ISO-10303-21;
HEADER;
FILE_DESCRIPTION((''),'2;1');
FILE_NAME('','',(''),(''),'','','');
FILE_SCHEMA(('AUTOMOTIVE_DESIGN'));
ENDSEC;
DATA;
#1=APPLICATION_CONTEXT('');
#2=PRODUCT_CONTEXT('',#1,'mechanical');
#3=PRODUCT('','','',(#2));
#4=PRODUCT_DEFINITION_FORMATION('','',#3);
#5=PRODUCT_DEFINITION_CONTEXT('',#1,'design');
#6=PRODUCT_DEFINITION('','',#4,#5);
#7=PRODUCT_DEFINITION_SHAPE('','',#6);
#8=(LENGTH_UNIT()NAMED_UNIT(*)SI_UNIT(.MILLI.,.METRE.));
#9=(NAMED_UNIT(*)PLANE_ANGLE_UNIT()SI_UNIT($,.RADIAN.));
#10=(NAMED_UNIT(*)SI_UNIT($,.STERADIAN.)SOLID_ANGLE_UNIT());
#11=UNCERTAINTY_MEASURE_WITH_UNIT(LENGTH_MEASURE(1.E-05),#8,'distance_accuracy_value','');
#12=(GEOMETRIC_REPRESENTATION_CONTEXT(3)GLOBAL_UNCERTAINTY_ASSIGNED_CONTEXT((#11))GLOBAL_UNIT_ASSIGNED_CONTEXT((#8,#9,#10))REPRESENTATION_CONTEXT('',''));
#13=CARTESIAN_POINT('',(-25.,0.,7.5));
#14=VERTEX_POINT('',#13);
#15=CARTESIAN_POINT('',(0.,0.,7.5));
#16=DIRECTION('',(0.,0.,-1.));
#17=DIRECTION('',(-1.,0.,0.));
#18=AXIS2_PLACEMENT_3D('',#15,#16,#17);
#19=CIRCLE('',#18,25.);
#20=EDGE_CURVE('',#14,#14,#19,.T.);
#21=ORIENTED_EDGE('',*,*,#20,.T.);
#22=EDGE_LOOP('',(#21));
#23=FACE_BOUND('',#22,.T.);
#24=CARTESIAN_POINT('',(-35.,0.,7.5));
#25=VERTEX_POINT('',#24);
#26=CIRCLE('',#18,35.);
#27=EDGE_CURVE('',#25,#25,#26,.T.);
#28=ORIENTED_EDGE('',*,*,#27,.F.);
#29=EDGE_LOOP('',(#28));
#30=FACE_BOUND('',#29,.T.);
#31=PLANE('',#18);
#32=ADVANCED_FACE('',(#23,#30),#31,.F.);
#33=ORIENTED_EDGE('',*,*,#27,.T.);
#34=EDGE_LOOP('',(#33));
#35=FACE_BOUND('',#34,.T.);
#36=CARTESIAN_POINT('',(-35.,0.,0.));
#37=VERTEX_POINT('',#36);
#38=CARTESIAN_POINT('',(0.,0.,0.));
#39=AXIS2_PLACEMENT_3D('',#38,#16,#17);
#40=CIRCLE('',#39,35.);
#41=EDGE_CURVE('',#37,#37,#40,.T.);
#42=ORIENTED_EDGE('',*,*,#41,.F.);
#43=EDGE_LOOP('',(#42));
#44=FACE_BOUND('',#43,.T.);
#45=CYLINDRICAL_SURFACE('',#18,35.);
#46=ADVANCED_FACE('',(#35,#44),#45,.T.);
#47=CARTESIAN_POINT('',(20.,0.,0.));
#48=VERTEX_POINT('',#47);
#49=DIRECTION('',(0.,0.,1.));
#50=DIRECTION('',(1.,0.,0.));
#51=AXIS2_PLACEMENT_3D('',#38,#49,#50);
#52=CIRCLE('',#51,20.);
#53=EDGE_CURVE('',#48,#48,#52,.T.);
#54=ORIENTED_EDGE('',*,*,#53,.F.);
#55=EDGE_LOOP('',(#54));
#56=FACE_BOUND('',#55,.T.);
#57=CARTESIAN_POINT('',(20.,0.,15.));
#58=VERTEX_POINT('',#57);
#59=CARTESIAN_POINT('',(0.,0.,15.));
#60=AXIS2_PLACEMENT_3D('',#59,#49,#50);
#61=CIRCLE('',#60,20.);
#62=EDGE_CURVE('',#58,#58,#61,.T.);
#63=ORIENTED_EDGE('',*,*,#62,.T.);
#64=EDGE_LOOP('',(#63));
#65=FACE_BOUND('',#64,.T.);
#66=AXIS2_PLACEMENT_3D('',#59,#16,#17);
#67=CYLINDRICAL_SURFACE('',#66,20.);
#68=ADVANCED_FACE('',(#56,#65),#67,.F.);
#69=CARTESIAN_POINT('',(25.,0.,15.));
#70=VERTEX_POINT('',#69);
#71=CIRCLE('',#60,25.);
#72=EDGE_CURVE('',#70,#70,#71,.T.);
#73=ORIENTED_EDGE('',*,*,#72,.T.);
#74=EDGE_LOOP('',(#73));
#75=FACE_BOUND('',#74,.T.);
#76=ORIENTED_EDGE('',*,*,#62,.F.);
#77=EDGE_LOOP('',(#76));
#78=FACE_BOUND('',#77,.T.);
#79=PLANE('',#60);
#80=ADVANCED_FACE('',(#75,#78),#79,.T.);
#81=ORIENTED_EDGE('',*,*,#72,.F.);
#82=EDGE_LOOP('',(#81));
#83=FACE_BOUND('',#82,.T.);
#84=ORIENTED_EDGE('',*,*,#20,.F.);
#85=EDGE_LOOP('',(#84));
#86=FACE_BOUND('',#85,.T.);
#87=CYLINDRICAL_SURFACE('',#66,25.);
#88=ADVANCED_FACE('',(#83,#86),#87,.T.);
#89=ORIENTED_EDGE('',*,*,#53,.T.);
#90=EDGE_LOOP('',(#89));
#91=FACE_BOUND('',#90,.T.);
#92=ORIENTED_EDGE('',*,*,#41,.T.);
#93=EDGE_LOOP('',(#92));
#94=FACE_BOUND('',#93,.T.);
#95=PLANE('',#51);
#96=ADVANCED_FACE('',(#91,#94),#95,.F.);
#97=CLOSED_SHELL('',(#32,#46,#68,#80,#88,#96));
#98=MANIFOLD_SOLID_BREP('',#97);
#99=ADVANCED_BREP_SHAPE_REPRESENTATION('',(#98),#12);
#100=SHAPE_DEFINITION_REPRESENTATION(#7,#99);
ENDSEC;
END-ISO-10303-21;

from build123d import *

# Parameters (mm, degrees)
SKETCH1_R           = 25
SKETCH1_R_2         = 20
BOSS_EXTRUDE1_DEPTH = 15
SKETCH2_R           = 35
SKETCH2_R_2         = 25
BOSS_EXTRUDE2_DEPTH = 7.5


with BuildPart() as part:
    # Sketch1 → Boss-Extrude1 (new body)
    with BuildSketch(Plane.XY):
        Circle(SKETCH1_R)
        Circle(SKETCH1_R_2, mode=Mode.SUBTRACT)
    extrude(amount=BOSS_EXTRUDE1_DEPTH)

    # Sketch2 → Boss-Extrude2 (add)
    with BuildSketch(Plane(origin=(0, 0, 0), x_dir=(-1, 0, 0), z_dir=(0, 0, -1))):
        Circle(SKETCH2_R)
        Circle(SKETCH2_R_2, mode=Mode.SUBTRACT)
    extrude(amount=-BOSS_EXTRUDE2_DEPTH)


solid = part.part
